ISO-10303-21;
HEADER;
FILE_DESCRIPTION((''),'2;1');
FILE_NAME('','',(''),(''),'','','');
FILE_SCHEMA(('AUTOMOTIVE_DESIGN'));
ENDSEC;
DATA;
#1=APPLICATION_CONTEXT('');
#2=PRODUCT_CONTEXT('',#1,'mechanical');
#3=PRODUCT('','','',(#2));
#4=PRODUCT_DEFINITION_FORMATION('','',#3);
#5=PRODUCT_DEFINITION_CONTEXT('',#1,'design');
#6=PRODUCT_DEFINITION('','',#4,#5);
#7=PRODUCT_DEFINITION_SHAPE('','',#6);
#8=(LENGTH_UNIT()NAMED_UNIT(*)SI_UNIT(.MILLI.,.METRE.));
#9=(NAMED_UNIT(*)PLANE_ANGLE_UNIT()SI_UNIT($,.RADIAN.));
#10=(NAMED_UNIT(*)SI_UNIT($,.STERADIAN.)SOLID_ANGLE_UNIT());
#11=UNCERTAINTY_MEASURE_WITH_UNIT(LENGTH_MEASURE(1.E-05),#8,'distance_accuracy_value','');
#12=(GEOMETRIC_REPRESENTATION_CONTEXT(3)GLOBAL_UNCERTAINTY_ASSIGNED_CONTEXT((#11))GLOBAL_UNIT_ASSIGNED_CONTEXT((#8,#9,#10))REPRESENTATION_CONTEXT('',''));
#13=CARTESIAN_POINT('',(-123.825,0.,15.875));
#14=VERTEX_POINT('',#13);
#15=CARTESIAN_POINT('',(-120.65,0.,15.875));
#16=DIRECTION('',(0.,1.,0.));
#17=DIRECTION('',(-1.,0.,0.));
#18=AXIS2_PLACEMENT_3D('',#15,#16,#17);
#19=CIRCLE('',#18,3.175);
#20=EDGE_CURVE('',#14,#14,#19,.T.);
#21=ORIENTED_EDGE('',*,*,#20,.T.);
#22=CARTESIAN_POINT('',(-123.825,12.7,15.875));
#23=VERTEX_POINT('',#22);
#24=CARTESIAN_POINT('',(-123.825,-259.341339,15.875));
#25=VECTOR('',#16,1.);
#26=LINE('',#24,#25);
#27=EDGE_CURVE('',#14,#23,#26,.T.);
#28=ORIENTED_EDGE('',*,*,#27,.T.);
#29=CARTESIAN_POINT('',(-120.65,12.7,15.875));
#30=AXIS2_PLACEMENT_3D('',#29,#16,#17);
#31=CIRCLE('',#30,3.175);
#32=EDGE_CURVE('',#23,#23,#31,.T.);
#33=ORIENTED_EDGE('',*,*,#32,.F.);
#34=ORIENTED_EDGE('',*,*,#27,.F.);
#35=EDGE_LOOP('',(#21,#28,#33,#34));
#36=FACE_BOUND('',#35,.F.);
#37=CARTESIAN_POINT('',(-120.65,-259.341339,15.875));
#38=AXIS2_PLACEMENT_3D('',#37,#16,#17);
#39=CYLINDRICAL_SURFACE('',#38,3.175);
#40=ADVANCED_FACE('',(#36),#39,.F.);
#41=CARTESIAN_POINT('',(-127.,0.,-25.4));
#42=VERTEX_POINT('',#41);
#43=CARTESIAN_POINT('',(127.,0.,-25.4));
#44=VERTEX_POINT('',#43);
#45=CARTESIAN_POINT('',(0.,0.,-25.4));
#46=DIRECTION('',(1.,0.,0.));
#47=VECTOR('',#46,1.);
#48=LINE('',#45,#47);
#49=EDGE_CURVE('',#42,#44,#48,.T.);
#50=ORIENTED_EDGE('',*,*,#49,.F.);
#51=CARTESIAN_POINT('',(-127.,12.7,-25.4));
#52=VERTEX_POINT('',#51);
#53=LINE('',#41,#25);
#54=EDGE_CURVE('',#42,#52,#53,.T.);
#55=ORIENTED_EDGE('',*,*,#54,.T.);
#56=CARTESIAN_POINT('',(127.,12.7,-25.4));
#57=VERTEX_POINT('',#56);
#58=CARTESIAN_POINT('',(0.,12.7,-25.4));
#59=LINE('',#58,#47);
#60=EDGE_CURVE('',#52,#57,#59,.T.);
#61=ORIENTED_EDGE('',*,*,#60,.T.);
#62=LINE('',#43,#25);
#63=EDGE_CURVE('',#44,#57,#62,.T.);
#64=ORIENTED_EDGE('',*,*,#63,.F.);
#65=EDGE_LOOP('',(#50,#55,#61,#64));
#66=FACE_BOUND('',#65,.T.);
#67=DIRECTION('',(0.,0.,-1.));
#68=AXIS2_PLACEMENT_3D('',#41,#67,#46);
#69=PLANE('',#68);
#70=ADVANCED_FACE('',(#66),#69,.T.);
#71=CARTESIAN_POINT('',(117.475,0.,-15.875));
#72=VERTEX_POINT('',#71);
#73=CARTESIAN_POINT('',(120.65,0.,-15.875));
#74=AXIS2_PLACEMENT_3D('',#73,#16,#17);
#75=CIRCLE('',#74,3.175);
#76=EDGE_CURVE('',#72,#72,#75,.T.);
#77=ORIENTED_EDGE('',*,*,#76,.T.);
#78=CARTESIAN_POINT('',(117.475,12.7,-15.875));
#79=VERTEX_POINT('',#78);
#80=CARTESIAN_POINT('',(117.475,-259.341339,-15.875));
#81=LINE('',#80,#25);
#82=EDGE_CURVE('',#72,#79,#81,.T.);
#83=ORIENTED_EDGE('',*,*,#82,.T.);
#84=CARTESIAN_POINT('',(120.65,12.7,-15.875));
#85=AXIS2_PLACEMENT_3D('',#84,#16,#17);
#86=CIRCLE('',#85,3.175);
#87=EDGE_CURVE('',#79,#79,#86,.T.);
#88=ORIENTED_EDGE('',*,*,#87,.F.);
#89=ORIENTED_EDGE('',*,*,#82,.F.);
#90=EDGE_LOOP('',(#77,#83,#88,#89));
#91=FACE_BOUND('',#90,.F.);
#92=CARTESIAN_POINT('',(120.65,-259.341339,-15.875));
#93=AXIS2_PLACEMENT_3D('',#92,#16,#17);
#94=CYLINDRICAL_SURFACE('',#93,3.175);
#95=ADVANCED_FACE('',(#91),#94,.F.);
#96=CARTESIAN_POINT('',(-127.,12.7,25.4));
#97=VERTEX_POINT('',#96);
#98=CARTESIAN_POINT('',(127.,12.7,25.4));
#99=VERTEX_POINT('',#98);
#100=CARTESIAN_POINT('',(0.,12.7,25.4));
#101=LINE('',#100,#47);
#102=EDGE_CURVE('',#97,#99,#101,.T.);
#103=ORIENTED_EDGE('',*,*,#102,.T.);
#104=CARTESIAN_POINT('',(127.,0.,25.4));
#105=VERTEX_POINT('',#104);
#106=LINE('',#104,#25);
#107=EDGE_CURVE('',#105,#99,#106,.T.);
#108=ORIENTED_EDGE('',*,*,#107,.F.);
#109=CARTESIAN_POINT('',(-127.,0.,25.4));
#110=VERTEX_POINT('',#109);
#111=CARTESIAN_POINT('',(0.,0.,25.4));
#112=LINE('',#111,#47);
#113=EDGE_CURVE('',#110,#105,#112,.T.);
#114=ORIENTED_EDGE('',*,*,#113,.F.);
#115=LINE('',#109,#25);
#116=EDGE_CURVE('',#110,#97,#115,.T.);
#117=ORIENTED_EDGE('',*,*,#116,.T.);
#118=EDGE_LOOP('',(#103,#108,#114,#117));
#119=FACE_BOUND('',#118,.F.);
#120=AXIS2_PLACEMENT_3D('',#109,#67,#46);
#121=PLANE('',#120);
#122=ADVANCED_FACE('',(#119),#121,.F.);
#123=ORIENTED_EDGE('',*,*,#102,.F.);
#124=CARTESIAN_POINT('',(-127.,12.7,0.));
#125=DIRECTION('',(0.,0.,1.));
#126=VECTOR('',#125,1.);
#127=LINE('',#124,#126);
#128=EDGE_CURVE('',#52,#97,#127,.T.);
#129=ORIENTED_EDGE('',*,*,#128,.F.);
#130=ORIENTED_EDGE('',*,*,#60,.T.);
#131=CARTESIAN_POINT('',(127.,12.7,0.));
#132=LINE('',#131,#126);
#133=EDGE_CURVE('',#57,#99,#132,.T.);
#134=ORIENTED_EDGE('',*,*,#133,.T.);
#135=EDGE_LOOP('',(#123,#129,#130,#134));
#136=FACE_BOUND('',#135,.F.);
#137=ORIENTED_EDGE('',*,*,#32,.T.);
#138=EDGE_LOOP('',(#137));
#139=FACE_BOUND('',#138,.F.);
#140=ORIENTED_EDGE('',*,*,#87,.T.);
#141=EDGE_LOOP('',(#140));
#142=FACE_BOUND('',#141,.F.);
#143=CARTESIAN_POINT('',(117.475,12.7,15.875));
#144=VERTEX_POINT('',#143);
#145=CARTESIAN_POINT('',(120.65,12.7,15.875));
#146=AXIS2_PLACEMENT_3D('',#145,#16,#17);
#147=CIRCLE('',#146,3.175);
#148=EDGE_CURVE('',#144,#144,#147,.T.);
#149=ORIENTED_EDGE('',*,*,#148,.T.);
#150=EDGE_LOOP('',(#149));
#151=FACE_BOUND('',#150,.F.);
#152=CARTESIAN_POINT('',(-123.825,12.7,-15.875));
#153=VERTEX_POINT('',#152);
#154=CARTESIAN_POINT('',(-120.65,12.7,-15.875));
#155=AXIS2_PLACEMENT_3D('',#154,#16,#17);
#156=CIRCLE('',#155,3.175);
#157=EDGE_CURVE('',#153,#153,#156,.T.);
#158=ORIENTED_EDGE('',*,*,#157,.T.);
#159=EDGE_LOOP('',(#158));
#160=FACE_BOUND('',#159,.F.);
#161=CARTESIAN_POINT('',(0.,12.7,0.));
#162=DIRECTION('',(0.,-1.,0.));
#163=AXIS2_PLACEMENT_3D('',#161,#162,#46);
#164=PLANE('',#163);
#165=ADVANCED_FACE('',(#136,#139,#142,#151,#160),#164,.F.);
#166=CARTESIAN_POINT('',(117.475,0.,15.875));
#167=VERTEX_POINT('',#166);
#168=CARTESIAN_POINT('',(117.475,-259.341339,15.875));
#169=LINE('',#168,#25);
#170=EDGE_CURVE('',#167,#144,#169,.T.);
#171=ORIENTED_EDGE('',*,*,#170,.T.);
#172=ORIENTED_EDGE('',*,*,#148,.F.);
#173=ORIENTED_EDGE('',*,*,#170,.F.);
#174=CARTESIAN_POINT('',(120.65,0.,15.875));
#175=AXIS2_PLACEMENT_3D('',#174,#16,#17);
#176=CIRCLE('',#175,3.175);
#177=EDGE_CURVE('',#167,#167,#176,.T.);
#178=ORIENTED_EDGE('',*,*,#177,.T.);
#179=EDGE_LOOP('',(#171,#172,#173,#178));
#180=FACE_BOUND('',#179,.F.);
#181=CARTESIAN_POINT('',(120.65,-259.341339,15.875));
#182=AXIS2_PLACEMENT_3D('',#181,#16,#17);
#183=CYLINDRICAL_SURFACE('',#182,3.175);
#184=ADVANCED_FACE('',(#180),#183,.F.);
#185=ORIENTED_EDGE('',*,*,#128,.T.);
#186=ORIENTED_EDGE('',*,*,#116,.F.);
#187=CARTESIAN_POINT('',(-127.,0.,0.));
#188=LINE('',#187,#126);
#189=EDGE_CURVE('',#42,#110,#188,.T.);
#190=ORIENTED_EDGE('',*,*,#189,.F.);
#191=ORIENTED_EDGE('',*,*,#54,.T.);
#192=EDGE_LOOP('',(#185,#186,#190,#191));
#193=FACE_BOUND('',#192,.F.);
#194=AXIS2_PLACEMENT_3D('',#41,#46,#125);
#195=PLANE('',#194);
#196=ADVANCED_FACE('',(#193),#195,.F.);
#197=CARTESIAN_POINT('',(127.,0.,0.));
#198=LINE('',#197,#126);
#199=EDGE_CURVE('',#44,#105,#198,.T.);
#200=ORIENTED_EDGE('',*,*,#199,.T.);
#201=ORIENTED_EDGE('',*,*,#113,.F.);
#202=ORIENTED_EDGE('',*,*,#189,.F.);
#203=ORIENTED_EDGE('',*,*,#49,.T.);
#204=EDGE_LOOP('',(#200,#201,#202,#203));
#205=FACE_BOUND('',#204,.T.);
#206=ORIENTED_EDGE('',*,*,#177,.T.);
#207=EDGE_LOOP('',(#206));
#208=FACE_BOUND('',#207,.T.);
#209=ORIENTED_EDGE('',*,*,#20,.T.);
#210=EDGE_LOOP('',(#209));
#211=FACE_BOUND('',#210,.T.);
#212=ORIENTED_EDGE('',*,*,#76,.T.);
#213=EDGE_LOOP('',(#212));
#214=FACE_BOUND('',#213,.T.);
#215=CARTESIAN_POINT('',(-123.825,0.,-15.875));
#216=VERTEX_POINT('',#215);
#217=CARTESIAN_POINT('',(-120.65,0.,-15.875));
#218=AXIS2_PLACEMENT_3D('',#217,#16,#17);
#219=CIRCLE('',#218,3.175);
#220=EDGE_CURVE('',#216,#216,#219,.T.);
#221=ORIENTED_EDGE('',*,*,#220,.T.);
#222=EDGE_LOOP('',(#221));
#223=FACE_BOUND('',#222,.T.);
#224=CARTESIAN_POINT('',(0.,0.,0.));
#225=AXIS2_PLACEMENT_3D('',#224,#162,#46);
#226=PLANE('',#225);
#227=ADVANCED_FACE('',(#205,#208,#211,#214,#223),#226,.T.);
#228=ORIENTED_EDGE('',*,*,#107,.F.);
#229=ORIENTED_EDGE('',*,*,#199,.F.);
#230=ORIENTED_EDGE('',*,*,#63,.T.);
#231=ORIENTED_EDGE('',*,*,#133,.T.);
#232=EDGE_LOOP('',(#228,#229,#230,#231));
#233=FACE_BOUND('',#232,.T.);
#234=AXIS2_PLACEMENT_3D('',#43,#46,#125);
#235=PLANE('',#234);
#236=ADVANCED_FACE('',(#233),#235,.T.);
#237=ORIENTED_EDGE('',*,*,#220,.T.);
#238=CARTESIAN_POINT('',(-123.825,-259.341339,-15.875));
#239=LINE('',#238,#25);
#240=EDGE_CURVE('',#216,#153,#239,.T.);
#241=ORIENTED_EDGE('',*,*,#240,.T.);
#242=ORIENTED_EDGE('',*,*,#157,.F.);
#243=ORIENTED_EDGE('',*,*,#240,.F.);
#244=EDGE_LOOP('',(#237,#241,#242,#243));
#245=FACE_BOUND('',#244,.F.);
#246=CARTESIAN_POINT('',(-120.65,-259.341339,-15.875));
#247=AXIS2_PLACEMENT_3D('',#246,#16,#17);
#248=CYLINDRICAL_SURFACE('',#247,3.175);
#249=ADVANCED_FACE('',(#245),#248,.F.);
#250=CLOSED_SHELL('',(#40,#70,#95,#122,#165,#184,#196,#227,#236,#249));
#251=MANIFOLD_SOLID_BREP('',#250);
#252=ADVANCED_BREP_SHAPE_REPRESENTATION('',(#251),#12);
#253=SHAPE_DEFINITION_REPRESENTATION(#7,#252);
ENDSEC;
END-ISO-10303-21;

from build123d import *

# Parameters (mm, degrees)
F0_W     = 254
F0_H     = 50.8
F1_DEPTH = 12.7
F2_D     = 6.35


with BuildPart() as f1:
    # F0 (on Front) → F1 (new body)
    with BuildSketch(Plane.XZ):
        Rectangle(F0_W, F0_H)
    extrude(amount=-F1_DEPTH)

    # F2 (through all)
    with Locations(Plane.XZ):
        with Locations((120.65, 15.875), (120.65, -15.875), (-120.65, -15.875), (-120.65, 15.875)):
            Hole(F2_D / 2)


solid = f1.part
